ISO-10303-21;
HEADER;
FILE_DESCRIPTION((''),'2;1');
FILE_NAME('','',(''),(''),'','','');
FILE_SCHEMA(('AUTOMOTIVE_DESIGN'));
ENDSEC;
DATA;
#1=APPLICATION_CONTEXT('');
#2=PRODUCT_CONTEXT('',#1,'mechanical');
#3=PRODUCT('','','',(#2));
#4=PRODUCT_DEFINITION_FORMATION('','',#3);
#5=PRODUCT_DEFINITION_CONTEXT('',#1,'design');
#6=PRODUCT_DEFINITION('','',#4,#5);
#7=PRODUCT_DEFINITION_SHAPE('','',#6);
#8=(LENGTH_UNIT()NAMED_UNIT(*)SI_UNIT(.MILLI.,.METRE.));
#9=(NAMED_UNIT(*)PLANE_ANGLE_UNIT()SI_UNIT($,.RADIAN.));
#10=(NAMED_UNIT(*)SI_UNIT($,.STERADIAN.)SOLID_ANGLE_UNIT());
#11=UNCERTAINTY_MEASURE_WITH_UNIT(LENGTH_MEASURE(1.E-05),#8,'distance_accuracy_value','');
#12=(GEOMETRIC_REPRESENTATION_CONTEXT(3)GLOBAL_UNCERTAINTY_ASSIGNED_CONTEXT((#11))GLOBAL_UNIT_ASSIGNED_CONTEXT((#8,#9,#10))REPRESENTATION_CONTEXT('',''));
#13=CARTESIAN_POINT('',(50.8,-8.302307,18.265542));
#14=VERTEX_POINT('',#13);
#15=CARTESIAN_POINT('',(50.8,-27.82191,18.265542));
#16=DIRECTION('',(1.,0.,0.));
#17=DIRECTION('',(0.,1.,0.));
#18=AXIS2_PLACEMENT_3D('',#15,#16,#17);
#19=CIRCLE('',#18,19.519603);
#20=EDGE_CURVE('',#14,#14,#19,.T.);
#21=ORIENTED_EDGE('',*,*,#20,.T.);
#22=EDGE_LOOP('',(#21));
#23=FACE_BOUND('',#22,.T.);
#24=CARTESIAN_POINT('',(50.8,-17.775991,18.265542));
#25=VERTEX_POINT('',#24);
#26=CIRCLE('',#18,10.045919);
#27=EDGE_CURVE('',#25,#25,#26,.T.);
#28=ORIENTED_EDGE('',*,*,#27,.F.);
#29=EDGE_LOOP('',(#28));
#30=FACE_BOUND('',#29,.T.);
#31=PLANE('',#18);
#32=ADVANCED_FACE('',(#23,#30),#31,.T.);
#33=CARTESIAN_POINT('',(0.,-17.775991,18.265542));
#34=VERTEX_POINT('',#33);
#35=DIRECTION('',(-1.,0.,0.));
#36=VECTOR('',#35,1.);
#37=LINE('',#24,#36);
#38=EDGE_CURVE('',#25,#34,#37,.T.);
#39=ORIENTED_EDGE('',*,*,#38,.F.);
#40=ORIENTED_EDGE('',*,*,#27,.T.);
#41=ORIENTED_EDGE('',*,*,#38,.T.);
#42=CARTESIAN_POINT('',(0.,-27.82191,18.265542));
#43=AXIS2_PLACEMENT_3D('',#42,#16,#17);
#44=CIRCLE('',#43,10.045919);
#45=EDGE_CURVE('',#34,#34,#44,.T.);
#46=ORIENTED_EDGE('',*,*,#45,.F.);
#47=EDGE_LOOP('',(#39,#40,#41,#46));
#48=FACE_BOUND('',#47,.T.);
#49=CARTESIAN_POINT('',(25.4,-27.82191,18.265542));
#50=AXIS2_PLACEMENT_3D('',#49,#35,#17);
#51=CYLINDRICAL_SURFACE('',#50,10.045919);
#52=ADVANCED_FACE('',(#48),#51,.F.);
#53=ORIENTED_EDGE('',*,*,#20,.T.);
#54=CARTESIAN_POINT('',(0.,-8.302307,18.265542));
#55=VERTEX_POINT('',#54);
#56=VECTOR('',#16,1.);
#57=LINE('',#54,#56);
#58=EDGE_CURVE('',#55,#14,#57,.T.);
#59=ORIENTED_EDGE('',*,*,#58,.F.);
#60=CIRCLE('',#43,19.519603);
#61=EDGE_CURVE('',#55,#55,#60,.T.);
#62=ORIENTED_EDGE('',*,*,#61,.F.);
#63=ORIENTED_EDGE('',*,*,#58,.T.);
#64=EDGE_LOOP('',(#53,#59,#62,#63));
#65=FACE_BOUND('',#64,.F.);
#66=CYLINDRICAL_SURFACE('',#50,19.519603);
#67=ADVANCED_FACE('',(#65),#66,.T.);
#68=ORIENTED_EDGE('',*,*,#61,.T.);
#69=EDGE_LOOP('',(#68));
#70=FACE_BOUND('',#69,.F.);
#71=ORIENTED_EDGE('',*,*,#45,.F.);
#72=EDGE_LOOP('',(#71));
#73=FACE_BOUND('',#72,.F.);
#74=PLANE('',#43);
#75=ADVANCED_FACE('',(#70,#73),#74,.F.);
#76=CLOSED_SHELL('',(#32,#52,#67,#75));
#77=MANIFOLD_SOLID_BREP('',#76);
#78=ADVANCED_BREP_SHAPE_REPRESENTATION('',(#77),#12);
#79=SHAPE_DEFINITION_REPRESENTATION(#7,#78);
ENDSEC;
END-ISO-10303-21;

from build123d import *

# Parameters (mm, degrees)
F0_R     = 19.519603
F0_R_2   = 10.045919
F1_DEPTH = 25.4
F3_R     = 2.03558
F3_R_2   = 1.669537
F3_R_3   = 1.73871
F2_R     = 19.519603
F2_R_2   = 10.045919
F4_DEPTH = 25.4


with BuildPart() as f1:
    # F0 (on Right) → F1 (new body)
    with BuildSketch(Plane.YZ):
        with Locations((-27.82191, 18.265542)):
            Circle(F0_R)
        with Locations((-27.82191, 18.265542)):
            Circle(F0_R_2, mode=Mode.SUBTRACT)
    extrude(amount=F1_DEPTH)

    # F3 (on face) + F2 (on face) → F4 (join)
    with BuildSketch(Plane.YZ.offset(25.4)):
        with Locations((-43.382533, 22.552796)):
            Circle(F3_R)
        with Locations((-41.091308, 27.054697)):
            Circle(F3_R_2)
        with Locations((-31.573892, 31.454124)):
            Circle(F3_R_3)
    with BuildSketch(Plane.YZ.offset(25.4)):
        with Locations((-27.82191, 18.265542)):
            Circle(F2_R)
        with Locations((-27.82191, 18.265542)):
            Circle(F2_R_2, mode=Mode.SUBTRACT)
    extrude(amount=F4_DEPTH)


solid = f1.part
